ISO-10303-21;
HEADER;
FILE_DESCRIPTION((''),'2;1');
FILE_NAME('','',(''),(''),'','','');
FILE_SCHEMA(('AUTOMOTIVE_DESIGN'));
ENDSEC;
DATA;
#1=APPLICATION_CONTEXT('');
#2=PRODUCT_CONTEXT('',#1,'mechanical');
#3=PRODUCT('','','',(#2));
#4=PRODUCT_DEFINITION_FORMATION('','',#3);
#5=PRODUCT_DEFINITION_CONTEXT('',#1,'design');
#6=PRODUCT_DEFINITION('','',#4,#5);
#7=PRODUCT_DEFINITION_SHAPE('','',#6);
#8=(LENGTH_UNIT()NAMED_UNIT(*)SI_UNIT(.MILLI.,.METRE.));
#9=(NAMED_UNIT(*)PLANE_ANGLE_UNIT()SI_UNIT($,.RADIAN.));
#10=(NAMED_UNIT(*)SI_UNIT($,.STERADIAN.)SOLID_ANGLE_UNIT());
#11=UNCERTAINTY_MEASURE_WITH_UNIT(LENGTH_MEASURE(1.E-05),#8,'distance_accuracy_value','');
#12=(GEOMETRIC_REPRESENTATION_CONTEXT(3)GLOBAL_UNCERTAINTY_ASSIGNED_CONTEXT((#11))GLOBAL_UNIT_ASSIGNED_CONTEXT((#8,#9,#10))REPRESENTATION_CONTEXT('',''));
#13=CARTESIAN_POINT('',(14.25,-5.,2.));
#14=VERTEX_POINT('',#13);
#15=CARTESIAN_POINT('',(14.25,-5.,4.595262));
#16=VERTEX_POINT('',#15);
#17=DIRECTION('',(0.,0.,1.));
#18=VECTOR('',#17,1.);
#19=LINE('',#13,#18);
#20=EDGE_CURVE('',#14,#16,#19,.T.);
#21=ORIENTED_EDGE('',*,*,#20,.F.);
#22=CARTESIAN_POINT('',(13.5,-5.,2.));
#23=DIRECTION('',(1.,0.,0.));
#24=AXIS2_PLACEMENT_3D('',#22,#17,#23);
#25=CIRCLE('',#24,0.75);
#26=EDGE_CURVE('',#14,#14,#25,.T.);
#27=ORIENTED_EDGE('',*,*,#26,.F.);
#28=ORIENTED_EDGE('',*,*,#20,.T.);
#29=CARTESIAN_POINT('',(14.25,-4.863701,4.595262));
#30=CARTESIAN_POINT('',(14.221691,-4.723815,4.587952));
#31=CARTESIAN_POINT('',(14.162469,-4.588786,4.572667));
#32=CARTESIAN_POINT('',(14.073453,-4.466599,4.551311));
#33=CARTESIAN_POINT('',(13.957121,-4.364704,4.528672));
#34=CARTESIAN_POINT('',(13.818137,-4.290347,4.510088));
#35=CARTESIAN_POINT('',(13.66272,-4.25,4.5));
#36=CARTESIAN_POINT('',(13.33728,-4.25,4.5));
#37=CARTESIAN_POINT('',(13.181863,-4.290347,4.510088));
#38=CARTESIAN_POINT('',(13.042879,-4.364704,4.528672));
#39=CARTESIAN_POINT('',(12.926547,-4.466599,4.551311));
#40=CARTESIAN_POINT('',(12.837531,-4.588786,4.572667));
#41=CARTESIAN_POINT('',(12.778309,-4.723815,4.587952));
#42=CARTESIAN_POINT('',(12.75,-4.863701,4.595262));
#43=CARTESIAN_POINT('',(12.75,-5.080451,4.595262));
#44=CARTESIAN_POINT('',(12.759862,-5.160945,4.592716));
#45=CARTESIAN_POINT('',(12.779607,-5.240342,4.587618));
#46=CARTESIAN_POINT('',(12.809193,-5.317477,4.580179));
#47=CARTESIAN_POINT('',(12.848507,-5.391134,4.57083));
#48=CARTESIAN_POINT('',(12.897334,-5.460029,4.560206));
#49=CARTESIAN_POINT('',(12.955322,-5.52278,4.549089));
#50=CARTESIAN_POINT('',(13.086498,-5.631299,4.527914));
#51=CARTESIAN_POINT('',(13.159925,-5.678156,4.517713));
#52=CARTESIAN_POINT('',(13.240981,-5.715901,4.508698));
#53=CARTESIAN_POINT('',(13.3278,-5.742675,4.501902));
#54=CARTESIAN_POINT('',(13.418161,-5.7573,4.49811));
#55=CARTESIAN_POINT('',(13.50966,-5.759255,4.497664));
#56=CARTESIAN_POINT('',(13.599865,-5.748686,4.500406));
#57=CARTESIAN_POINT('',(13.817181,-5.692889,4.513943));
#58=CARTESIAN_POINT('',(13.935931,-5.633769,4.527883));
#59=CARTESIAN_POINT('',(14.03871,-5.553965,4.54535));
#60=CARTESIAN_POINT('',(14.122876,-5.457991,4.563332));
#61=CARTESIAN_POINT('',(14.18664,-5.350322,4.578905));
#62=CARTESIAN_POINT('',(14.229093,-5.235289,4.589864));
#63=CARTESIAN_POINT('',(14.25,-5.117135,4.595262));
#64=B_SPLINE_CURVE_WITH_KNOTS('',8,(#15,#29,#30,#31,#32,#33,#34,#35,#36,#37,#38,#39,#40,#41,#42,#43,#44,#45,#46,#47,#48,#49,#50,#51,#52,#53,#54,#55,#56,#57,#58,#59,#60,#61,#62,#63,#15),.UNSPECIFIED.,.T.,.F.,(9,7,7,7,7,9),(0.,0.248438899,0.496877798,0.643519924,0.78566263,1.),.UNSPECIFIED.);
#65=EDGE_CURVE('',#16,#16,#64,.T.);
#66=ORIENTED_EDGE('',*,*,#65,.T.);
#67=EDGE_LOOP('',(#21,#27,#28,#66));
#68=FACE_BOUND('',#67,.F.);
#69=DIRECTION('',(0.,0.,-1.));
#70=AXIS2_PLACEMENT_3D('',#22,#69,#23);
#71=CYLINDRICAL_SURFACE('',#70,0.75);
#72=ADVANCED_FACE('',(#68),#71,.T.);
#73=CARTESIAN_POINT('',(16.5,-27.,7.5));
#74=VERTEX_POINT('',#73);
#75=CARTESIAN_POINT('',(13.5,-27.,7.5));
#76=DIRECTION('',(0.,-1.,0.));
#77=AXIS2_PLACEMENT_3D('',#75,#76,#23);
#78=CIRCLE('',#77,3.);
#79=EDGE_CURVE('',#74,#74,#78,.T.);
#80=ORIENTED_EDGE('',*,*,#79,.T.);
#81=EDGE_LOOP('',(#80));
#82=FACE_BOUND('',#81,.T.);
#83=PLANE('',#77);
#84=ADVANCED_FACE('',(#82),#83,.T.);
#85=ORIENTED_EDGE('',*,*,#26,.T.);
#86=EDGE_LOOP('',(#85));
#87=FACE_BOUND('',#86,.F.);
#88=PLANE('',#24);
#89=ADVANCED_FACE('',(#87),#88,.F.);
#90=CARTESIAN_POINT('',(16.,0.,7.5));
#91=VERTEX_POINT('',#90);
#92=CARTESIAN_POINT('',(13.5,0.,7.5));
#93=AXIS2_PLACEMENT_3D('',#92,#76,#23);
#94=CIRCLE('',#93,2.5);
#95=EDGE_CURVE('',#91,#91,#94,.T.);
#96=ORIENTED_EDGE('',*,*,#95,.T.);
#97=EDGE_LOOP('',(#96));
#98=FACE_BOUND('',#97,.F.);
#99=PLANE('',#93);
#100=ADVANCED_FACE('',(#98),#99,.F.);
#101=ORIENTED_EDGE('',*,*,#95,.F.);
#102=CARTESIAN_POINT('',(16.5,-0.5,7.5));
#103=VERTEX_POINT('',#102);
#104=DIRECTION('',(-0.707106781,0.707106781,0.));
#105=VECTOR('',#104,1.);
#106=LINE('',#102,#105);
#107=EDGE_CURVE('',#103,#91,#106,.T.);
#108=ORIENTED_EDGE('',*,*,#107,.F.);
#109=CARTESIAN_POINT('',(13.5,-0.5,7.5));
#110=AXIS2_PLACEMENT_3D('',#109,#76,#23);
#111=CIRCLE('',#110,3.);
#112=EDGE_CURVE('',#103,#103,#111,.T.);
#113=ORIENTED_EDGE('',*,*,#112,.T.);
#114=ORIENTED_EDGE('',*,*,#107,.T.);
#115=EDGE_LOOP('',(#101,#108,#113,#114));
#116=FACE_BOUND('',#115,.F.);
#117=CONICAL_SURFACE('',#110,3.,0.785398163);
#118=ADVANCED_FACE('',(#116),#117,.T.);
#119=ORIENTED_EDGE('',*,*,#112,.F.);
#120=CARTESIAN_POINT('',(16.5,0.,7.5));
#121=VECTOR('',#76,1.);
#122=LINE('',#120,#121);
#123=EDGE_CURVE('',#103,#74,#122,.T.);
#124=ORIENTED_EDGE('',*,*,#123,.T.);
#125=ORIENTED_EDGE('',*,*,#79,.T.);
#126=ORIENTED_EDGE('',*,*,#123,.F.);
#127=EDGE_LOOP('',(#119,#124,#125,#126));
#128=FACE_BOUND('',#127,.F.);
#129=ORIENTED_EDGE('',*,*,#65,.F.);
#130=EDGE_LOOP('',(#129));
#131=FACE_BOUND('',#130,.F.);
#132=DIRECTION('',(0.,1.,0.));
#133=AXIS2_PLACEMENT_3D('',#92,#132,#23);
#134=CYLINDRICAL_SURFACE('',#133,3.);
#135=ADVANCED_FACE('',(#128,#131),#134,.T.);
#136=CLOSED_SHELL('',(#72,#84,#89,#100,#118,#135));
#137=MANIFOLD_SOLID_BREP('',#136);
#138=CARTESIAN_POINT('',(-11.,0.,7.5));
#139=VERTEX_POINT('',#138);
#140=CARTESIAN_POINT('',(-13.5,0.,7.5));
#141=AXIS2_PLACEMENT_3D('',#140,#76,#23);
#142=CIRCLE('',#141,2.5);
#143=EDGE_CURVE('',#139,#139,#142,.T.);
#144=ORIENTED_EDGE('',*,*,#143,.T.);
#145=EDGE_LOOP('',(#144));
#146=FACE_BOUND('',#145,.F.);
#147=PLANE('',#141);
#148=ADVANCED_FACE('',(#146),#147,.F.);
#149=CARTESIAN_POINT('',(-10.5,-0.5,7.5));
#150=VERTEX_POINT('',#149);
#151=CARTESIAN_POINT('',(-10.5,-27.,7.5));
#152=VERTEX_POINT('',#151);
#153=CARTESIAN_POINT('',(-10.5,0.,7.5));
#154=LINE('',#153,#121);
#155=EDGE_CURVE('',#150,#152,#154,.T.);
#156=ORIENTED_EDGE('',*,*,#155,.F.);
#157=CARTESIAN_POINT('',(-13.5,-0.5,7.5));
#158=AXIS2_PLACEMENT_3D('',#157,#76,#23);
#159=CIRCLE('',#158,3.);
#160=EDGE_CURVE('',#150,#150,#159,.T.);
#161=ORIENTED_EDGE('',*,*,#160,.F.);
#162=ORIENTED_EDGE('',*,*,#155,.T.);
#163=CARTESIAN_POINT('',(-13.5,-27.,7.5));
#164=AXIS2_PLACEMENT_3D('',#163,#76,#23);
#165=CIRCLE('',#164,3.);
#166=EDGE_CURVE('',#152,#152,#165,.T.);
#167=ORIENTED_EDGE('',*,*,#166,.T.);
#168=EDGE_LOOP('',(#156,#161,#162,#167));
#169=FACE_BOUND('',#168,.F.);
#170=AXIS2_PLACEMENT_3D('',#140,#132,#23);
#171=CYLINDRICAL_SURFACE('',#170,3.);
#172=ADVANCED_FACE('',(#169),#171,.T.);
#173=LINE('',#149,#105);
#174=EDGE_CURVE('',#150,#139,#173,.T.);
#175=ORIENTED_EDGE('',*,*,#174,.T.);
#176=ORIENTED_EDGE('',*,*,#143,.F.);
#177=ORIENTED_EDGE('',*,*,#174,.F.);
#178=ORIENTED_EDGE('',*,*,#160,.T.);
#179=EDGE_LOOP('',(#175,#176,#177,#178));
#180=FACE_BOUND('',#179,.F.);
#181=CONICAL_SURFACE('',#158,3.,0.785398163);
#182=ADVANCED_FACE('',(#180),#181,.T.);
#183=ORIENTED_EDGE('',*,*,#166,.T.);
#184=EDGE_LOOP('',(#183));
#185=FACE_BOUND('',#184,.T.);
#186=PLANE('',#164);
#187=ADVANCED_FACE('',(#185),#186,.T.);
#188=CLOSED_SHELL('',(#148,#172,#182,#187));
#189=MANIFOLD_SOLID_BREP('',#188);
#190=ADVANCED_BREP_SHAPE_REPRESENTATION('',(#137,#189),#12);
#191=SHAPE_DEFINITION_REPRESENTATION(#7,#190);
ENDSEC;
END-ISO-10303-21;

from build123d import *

# Parameters (mm, degrees)
F0_R      = 3
F1_DEPTH  = 27
F2_SIZE   = 0.5
F2_2_SIZE = 0.5
F4_START  = 2
F4_DEPTH  = 3


with BuildPart() as f1:
    # F0 (on Front) → F1 (new body)
    with BuildSketch(Plane.XZ):
        with Locations((-13.5, 7.5)):
            Circle(F0_R)
    extrude(amount=F1_DEPTH)

    # F2
    f2_edges = [f1.edges().sort_by_distance(p)[0] for p in [
        (-16.5, 0, 7.5),
    ]]
    chamfer(f2_edges, length=F2_SIZE)


with BuildPart() as f1b:
    # F0 (on Front) → F1, piece 2 (new body)
    with BuildSketch(Plane.XZ):
        with Locations((13.5, 7.5)):
            Circle(F0_R)
    extrude(amount=F1_DEPTH)

    # F2#2
    f2_2_edges = [f1b.edges().sort_by_distance(p)[0] for p in [
        (10.5, 0, 7.5),
    ]]
    chamfer(f2_2_edges, length=F2_2_SIZE)

    # F3 (on Top) → F4 (join)
    with BuildSketch(Plane.XY.offset(F4_START)):
        with BuildLine():
            ThreePointArc((12.75, -5), (13.5, -5.75), (14.25, -5))
            ThreePointArc((14.25, -5), (13.5, -4.25), (12.75, -5))
        make_face()
    extrude(amount=F4_DEPTH)


solid = Compound([f1.part, f1b.part])
